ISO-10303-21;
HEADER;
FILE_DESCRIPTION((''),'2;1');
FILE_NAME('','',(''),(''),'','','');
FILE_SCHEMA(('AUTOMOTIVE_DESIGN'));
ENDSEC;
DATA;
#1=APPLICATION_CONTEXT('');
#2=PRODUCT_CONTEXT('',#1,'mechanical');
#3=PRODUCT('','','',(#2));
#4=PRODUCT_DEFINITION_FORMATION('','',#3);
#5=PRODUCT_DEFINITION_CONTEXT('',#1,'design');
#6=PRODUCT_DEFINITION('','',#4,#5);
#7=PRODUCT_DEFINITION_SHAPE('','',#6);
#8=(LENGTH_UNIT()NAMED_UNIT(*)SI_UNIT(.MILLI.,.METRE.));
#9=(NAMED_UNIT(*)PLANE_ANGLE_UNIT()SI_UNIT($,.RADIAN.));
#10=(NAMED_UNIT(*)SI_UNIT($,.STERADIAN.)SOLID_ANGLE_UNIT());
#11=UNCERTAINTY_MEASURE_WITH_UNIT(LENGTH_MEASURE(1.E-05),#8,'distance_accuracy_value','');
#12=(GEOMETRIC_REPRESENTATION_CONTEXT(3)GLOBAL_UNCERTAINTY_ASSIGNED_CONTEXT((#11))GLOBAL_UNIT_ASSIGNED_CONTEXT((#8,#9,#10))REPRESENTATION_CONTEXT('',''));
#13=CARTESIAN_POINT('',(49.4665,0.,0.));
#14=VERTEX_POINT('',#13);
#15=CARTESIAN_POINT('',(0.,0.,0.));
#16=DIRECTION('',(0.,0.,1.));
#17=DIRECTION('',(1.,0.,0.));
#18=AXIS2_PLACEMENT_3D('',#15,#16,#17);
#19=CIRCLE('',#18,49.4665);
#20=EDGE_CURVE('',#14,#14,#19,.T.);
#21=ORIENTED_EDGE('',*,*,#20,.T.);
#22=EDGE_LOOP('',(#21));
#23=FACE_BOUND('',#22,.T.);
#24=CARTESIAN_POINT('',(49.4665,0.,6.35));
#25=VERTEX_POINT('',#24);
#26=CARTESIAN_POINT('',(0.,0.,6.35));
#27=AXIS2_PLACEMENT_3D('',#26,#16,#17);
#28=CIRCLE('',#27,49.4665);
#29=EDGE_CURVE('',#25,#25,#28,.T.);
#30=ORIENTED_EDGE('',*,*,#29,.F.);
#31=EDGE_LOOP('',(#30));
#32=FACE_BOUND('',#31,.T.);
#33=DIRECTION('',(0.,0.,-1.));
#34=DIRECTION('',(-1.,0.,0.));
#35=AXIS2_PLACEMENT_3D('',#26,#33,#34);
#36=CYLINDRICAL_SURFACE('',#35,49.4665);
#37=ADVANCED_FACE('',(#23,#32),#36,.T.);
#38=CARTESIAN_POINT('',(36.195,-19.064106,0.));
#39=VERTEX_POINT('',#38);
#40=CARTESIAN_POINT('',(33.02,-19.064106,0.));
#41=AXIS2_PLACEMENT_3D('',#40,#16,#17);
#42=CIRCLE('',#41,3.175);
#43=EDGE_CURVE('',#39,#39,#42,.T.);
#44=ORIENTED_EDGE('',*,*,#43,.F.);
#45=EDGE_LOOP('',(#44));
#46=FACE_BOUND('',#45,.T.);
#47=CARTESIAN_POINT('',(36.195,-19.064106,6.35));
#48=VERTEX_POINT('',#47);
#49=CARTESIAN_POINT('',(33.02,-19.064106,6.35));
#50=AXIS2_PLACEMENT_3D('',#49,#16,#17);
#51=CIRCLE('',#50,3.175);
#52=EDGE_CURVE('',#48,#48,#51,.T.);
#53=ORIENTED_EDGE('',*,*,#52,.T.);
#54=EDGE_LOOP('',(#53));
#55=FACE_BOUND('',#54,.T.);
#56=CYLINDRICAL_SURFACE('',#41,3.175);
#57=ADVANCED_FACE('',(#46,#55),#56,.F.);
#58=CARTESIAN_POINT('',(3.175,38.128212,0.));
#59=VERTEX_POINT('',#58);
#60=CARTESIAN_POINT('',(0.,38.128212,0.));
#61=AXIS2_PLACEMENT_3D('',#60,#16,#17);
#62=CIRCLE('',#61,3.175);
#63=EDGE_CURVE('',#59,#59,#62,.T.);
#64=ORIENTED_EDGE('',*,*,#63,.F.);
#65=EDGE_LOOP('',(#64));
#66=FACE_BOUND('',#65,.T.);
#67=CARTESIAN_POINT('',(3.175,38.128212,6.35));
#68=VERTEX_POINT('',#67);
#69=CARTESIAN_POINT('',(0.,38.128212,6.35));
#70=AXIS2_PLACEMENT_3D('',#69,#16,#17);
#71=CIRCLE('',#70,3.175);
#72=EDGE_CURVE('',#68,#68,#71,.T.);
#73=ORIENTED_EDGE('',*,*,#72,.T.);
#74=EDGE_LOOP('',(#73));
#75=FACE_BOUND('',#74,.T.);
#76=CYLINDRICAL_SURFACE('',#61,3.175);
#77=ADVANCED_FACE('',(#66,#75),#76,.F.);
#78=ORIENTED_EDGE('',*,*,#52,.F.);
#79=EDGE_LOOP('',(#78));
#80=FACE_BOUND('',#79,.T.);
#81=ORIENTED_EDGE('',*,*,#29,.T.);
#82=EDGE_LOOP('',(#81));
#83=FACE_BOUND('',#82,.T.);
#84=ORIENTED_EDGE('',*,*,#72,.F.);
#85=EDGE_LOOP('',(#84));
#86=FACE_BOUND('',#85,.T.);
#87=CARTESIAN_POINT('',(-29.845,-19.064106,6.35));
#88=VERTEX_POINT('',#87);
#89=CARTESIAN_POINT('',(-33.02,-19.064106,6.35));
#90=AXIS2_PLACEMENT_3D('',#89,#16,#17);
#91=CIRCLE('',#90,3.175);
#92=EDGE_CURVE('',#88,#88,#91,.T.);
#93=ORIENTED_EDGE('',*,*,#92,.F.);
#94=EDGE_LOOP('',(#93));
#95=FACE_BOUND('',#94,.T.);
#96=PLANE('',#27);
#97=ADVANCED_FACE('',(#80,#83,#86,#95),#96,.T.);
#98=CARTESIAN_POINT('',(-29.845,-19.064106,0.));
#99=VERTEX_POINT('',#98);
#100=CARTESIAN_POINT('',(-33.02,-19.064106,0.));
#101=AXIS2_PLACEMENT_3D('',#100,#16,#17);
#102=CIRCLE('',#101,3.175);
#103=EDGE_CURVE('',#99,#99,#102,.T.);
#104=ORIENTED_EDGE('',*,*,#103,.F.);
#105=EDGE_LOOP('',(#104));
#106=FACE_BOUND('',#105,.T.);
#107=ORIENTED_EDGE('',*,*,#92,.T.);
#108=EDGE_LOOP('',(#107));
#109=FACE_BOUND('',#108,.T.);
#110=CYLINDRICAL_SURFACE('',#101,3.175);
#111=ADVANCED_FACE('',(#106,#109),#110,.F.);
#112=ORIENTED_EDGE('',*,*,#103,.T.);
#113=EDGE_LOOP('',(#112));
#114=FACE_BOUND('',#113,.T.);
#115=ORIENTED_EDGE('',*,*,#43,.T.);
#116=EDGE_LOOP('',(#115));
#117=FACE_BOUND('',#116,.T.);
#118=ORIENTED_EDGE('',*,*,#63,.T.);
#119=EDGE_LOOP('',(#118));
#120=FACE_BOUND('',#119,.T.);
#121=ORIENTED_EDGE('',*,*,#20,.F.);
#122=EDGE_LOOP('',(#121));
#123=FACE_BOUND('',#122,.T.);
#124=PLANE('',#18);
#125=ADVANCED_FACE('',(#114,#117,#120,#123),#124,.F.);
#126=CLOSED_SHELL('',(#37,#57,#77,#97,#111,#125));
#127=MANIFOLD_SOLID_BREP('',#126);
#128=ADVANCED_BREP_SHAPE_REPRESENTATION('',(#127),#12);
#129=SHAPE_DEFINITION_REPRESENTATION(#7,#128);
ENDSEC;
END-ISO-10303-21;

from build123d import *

# Parameters (mm, degrees)
SKETCH1_R           = 49.4665
BOSS_EXTRUDE1_DEPTH = 6.35
SKETCH6_R           = 3.175
CUT_EXTRUDE2_DEPTH  = 71.243802179


with BuildPart() as part:
    # Sketch1 → Boss-Extrude1 (new body)
    with BuildSketch(Plane.XY):
        Circle(SKETCH1_R)
    extrude(amount=BOSS_EXTRUDE1_DEPTH)

    # Sketch6 → Cut-Extrude2 (cut, through all)
    with BuildSketch(Plane.XY.offset(6.35)):
        with Locations((0, 38.128211777)):
            Circle(SKETCH6_R)
        with Locations((-33.02, -19.064105889)):
            Circle(SKETCH6_R)
        with Locations((33.02, -19.064105889)):
            Circle(SKETCH6_R)
    extrude(amount=-CUT_EXTRUDE2_DEPTH, mode=Mode.SUBTRACT)


solid = part.part
